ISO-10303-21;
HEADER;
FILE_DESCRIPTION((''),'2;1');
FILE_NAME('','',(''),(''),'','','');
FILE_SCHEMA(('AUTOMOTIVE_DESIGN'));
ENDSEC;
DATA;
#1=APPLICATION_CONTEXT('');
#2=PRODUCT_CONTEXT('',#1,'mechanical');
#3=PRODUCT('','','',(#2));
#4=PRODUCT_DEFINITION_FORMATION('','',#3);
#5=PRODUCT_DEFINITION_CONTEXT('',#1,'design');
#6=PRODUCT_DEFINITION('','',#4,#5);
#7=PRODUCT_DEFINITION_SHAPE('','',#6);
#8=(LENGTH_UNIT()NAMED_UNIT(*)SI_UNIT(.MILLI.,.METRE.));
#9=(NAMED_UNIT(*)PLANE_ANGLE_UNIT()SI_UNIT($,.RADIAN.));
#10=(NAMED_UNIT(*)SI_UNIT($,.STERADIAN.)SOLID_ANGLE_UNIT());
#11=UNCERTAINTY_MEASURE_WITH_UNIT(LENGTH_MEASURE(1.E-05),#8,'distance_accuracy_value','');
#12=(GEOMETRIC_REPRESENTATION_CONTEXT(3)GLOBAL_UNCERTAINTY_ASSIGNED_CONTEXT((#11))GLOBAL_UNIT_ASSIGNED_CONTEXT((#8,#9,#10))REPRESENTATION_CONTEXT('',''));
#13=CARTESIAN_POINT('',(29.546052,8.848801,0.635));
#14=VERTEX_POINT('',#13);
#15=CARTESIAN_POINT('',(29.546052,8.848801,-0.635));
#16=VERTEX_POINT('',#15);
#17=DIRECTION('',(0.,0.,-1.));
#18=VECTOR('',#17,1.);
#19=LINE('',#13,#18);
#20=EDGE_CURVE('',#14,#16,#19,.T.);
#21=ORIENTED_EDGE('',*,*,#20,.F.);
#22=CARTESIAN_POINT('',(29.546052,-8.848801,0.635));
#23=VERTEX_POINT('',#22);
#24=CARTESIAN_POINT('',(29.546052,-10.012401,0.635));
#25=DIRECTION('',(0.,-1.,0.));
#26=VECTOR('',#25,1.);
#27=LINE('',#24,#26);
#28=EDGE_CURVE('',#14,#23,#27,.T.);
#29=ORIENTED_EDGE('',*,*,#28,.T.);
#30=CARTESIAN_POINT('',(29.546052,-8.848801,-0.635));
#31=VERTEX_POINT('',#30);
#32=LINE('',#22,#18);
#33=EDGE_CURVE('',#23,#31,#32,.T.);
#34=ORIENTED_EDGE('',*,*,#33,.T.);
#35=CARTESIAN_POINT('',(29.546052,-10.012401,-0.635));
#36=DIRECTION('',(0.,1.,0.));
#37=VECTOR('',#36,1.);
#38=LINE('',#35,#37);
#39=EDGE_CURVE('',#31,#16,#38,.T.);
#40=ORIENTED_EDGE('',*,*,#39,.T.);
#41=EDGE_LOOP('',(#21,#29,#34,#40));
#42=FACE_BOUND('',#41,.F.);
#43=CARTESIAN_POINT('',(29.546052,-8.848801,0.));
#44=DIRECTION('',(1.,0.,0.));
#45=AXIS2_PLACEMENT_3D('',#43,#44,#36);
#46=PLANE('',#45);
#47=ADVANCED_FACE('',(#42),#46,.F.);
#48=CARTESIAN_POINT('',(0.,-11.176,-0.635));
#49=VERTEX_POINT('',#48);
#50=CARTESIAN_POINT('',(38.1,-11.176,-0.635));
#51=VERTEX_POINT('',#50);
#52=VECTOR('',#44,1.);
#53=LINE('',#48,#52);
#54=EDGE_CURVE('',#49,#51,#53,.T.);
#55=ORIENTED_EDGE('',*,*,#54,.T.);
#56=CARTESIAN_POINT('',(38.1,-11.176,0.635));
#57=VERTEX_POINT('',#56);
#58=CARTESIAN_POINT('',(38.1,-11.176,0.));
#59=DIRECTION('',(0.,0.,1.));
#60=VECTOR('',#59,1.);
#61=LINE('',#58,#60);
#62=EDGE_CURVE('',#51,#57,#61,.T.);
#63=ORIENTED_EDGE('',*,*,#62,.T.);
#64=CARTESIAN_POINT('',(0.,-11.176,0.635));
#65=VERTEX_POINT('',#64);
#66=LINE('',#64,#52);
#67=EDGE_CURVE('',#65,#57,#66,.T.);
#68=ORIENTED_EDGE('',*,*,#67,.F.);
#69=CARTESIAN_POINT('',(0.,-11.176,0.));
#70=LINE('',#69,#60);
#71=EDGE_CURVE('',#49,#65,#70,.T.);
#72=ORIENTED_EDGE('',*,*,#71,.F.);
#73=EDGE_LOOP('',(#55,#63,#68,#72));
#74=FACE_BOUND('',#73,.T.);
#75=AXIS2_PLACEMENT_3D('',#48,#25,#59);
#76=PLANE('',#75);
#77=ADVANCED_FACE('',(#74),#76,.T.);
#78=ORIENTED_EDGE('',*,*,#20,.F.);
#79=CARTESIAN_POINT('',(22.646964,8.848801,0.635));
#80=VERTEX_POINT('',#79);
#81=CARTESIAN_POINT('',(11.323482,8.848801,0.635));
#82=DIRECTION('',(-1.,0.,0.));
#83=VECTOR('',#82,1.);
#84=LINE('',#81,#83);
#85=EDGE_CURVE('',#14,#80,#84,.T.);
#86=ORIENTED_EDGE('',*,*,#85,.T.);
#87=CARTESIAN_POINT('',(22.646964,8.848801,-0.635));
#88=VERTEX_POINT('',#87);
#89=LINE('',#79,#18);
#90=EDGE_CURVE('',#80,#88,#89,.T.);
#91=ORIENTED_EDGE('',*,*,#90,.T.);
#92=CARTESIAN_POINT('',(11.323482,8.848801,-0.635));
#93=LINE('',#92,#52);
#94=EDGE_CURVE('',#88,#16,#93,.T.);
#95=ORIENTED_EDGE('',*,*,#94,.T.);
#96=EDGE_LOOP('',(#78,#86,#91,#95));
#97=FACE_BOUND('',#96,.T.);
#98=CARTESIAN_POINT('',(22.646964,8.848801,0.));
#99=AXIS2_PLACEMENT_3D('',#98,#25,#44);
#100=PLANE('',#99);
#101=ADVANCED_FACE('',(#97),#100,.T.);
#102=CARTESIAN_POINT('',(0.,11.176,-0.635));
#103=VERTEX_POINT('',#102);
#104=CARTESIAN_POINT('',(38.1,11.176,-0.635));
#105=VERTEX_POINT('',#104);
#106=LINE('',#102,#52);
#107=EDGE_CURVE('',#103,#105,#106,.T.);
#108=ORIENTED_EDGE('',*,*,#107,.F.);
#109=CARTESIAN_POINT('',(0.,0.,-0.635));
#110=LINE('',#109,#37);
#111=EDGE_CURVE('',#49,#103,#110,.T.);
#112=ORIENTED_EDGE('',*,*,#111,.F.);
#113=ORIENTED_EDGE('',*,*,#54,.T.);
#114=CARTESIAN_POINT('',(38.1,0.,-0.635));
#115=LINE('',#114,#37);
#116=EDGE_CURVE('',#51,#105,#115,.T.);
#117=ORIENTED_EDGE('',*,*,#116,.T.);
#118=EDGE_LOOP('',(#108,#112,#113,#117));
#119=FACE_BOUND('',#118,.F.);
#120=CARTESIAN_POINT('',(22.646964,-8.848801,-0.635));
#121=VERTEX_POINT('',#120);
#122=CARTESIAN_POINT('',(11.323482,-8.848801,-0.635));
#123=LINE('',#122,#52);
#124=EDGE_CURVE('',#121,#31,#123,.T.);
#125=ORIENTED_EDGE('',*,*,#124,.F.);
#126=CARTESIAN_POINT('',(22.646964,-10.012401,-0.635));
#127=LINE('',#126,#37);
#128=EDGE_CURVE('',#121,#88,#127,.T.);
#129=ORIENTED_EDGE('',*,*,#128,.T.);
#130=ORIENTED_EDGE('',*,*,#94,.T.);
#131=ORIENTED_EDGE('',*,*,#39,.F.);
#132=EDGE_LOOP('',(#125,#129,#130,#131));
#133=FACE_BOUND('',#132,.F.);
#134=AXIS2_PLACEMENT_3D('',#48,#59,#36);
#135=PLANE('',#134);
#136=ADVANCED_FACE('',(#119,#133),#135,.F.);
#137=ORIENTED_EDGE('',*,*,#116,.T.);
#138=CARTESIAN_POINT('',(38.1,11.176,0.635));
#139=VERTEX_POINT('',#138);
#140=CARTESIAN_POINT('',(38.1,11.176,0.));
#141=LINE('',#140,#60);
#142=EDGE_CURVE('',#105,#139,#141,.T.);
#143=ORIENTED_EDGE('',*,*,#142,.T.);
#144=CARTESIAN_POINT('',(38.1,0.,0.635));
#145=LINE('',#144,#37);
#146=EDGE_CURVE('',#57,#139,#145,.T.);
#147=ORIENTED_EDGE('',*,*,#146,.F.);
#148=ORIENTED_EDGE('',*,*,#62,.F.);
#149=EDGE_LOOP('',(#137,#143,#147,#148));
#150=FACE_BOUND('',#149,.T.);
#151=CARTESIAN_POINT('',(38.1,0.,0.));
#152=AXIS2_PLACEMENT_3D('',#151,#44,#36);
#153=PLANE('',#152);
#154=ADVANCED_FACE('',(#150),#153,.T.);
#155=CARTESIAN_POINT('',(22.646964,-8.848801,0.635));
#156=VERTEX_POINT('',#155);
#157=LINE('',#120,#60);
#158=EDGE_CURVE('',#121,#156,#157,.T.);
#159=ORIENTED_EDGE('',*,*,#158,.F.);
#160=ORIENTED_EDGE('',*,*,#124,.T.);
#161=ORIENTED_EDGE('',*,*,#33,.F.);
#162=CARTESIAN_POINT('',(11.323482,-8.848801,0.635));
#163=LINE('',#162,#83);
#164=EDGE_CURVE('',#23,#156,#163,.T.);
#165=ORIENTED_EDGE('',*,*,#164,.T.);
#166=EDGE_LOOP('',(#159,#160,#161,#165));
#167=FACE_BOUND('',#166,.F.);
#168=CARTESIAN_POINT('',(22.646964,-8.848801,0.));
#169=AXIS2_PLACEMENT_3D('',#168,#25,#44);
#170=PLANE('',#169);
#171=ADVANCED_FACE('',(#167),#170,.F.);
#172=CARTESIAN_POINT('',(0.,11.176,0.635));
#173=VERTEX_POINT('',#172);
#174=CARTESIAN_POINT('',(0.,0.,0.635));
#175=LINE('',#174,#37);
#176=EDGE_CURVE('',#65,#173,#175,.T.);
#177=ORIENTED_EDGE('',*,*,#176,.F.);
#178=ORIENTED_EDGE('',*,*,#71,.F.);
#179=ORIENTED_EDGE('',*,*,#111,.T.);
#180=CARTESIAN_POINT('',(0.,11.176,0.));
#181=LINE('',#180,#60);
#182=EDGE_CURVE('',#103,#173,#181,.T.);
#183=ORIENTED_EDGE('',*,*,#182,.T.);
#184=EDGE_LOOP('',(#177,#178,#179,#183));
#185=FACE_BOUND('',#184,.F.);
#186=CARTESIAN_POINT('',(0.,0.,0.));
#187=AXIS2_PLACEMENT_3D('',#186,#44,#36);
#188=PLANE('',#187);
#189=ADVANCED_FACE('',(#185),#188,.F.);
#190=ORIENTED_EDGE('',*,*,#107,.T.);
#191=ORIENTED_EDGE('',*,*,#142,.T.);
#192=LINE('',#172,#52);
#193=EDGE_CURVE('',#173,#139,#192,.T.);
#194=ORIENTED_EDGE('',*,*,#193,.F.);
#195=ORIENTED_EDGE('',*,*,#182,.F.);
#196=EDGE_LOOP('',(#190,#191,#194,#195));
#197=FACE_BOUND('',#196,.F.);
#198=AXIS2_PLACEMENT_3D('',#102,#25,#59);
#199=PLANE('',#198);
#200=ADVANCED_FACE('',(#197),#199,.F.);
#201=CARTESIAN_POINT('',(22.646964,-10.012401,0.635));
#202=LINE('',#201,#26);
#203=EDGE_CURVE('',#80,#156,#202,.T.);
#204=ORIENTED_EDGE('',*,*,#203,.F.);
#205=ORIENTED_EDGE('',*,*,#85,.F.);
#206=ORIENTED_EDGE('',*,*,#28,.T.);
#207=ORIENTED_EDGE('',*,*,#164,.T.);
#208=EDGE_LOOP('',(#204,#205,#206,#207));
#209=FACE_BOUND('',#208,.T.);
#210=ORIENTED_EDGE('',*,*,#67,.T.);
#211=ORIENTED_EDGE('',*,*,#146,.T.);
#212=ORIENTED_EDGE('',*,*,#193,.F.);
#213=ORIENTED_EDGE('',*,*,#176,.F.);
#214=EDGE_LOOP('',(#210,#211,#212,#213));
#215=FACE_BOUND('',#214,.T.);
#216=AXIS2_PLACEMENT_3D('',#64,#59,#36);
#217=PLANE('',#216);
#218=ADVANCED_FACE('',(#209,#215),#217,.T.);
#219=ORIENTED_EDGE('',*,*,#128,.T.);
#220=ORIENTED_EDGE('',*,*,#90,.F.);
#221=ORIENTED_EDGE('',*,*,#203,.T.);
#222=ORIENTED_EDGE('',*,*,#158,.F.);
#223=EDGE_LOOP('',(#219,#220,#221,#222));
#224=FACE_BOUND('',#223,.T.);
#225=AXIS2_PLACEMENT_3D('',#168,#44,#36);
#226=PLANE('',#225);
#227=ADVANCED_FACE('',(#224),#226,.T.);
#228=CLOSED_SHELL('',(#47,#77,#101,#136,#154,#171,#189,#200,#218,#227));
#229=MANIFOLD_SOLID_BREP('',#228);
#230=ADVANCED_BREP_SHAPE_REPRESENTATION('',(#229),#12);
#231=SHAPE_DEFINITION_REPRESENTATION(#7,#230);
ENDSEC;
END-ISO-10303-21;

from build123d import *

# Parameters (mm, degrees)
F0_W          = 22.352
F0_H          = 1.27
F1_DEPTH      = 38.1
F2_W          = 6.8990886211
F2_H          = 17.6976025105
F3_DEPTH      = 25.4
F3_DEPTH_BACK = 25.4


with BuildPart() as f1:
    # F0 (on Right) → F1 (new body)
    with BuildSketch(Plane.YZ):
        Rectangle(F0_W, F0_H)
    extrude(amount=F1_DEPTH)

    # F2 (on Top) → F3 (cut, two sides)
    with BuildSketch(Plane.XY) as f3_sk:
        with Locations((26.0965079069, 0)):
            Rectangle(F2_W, F2_H)
    extrude(amount=-F3_DEPTH, mode=Mode.SUBTRACT)
    extrude(f3_sk.sketch, amount=F3_DEPTH_BACK, mode=Mode.SUBTRACT)


solid = f1.part
